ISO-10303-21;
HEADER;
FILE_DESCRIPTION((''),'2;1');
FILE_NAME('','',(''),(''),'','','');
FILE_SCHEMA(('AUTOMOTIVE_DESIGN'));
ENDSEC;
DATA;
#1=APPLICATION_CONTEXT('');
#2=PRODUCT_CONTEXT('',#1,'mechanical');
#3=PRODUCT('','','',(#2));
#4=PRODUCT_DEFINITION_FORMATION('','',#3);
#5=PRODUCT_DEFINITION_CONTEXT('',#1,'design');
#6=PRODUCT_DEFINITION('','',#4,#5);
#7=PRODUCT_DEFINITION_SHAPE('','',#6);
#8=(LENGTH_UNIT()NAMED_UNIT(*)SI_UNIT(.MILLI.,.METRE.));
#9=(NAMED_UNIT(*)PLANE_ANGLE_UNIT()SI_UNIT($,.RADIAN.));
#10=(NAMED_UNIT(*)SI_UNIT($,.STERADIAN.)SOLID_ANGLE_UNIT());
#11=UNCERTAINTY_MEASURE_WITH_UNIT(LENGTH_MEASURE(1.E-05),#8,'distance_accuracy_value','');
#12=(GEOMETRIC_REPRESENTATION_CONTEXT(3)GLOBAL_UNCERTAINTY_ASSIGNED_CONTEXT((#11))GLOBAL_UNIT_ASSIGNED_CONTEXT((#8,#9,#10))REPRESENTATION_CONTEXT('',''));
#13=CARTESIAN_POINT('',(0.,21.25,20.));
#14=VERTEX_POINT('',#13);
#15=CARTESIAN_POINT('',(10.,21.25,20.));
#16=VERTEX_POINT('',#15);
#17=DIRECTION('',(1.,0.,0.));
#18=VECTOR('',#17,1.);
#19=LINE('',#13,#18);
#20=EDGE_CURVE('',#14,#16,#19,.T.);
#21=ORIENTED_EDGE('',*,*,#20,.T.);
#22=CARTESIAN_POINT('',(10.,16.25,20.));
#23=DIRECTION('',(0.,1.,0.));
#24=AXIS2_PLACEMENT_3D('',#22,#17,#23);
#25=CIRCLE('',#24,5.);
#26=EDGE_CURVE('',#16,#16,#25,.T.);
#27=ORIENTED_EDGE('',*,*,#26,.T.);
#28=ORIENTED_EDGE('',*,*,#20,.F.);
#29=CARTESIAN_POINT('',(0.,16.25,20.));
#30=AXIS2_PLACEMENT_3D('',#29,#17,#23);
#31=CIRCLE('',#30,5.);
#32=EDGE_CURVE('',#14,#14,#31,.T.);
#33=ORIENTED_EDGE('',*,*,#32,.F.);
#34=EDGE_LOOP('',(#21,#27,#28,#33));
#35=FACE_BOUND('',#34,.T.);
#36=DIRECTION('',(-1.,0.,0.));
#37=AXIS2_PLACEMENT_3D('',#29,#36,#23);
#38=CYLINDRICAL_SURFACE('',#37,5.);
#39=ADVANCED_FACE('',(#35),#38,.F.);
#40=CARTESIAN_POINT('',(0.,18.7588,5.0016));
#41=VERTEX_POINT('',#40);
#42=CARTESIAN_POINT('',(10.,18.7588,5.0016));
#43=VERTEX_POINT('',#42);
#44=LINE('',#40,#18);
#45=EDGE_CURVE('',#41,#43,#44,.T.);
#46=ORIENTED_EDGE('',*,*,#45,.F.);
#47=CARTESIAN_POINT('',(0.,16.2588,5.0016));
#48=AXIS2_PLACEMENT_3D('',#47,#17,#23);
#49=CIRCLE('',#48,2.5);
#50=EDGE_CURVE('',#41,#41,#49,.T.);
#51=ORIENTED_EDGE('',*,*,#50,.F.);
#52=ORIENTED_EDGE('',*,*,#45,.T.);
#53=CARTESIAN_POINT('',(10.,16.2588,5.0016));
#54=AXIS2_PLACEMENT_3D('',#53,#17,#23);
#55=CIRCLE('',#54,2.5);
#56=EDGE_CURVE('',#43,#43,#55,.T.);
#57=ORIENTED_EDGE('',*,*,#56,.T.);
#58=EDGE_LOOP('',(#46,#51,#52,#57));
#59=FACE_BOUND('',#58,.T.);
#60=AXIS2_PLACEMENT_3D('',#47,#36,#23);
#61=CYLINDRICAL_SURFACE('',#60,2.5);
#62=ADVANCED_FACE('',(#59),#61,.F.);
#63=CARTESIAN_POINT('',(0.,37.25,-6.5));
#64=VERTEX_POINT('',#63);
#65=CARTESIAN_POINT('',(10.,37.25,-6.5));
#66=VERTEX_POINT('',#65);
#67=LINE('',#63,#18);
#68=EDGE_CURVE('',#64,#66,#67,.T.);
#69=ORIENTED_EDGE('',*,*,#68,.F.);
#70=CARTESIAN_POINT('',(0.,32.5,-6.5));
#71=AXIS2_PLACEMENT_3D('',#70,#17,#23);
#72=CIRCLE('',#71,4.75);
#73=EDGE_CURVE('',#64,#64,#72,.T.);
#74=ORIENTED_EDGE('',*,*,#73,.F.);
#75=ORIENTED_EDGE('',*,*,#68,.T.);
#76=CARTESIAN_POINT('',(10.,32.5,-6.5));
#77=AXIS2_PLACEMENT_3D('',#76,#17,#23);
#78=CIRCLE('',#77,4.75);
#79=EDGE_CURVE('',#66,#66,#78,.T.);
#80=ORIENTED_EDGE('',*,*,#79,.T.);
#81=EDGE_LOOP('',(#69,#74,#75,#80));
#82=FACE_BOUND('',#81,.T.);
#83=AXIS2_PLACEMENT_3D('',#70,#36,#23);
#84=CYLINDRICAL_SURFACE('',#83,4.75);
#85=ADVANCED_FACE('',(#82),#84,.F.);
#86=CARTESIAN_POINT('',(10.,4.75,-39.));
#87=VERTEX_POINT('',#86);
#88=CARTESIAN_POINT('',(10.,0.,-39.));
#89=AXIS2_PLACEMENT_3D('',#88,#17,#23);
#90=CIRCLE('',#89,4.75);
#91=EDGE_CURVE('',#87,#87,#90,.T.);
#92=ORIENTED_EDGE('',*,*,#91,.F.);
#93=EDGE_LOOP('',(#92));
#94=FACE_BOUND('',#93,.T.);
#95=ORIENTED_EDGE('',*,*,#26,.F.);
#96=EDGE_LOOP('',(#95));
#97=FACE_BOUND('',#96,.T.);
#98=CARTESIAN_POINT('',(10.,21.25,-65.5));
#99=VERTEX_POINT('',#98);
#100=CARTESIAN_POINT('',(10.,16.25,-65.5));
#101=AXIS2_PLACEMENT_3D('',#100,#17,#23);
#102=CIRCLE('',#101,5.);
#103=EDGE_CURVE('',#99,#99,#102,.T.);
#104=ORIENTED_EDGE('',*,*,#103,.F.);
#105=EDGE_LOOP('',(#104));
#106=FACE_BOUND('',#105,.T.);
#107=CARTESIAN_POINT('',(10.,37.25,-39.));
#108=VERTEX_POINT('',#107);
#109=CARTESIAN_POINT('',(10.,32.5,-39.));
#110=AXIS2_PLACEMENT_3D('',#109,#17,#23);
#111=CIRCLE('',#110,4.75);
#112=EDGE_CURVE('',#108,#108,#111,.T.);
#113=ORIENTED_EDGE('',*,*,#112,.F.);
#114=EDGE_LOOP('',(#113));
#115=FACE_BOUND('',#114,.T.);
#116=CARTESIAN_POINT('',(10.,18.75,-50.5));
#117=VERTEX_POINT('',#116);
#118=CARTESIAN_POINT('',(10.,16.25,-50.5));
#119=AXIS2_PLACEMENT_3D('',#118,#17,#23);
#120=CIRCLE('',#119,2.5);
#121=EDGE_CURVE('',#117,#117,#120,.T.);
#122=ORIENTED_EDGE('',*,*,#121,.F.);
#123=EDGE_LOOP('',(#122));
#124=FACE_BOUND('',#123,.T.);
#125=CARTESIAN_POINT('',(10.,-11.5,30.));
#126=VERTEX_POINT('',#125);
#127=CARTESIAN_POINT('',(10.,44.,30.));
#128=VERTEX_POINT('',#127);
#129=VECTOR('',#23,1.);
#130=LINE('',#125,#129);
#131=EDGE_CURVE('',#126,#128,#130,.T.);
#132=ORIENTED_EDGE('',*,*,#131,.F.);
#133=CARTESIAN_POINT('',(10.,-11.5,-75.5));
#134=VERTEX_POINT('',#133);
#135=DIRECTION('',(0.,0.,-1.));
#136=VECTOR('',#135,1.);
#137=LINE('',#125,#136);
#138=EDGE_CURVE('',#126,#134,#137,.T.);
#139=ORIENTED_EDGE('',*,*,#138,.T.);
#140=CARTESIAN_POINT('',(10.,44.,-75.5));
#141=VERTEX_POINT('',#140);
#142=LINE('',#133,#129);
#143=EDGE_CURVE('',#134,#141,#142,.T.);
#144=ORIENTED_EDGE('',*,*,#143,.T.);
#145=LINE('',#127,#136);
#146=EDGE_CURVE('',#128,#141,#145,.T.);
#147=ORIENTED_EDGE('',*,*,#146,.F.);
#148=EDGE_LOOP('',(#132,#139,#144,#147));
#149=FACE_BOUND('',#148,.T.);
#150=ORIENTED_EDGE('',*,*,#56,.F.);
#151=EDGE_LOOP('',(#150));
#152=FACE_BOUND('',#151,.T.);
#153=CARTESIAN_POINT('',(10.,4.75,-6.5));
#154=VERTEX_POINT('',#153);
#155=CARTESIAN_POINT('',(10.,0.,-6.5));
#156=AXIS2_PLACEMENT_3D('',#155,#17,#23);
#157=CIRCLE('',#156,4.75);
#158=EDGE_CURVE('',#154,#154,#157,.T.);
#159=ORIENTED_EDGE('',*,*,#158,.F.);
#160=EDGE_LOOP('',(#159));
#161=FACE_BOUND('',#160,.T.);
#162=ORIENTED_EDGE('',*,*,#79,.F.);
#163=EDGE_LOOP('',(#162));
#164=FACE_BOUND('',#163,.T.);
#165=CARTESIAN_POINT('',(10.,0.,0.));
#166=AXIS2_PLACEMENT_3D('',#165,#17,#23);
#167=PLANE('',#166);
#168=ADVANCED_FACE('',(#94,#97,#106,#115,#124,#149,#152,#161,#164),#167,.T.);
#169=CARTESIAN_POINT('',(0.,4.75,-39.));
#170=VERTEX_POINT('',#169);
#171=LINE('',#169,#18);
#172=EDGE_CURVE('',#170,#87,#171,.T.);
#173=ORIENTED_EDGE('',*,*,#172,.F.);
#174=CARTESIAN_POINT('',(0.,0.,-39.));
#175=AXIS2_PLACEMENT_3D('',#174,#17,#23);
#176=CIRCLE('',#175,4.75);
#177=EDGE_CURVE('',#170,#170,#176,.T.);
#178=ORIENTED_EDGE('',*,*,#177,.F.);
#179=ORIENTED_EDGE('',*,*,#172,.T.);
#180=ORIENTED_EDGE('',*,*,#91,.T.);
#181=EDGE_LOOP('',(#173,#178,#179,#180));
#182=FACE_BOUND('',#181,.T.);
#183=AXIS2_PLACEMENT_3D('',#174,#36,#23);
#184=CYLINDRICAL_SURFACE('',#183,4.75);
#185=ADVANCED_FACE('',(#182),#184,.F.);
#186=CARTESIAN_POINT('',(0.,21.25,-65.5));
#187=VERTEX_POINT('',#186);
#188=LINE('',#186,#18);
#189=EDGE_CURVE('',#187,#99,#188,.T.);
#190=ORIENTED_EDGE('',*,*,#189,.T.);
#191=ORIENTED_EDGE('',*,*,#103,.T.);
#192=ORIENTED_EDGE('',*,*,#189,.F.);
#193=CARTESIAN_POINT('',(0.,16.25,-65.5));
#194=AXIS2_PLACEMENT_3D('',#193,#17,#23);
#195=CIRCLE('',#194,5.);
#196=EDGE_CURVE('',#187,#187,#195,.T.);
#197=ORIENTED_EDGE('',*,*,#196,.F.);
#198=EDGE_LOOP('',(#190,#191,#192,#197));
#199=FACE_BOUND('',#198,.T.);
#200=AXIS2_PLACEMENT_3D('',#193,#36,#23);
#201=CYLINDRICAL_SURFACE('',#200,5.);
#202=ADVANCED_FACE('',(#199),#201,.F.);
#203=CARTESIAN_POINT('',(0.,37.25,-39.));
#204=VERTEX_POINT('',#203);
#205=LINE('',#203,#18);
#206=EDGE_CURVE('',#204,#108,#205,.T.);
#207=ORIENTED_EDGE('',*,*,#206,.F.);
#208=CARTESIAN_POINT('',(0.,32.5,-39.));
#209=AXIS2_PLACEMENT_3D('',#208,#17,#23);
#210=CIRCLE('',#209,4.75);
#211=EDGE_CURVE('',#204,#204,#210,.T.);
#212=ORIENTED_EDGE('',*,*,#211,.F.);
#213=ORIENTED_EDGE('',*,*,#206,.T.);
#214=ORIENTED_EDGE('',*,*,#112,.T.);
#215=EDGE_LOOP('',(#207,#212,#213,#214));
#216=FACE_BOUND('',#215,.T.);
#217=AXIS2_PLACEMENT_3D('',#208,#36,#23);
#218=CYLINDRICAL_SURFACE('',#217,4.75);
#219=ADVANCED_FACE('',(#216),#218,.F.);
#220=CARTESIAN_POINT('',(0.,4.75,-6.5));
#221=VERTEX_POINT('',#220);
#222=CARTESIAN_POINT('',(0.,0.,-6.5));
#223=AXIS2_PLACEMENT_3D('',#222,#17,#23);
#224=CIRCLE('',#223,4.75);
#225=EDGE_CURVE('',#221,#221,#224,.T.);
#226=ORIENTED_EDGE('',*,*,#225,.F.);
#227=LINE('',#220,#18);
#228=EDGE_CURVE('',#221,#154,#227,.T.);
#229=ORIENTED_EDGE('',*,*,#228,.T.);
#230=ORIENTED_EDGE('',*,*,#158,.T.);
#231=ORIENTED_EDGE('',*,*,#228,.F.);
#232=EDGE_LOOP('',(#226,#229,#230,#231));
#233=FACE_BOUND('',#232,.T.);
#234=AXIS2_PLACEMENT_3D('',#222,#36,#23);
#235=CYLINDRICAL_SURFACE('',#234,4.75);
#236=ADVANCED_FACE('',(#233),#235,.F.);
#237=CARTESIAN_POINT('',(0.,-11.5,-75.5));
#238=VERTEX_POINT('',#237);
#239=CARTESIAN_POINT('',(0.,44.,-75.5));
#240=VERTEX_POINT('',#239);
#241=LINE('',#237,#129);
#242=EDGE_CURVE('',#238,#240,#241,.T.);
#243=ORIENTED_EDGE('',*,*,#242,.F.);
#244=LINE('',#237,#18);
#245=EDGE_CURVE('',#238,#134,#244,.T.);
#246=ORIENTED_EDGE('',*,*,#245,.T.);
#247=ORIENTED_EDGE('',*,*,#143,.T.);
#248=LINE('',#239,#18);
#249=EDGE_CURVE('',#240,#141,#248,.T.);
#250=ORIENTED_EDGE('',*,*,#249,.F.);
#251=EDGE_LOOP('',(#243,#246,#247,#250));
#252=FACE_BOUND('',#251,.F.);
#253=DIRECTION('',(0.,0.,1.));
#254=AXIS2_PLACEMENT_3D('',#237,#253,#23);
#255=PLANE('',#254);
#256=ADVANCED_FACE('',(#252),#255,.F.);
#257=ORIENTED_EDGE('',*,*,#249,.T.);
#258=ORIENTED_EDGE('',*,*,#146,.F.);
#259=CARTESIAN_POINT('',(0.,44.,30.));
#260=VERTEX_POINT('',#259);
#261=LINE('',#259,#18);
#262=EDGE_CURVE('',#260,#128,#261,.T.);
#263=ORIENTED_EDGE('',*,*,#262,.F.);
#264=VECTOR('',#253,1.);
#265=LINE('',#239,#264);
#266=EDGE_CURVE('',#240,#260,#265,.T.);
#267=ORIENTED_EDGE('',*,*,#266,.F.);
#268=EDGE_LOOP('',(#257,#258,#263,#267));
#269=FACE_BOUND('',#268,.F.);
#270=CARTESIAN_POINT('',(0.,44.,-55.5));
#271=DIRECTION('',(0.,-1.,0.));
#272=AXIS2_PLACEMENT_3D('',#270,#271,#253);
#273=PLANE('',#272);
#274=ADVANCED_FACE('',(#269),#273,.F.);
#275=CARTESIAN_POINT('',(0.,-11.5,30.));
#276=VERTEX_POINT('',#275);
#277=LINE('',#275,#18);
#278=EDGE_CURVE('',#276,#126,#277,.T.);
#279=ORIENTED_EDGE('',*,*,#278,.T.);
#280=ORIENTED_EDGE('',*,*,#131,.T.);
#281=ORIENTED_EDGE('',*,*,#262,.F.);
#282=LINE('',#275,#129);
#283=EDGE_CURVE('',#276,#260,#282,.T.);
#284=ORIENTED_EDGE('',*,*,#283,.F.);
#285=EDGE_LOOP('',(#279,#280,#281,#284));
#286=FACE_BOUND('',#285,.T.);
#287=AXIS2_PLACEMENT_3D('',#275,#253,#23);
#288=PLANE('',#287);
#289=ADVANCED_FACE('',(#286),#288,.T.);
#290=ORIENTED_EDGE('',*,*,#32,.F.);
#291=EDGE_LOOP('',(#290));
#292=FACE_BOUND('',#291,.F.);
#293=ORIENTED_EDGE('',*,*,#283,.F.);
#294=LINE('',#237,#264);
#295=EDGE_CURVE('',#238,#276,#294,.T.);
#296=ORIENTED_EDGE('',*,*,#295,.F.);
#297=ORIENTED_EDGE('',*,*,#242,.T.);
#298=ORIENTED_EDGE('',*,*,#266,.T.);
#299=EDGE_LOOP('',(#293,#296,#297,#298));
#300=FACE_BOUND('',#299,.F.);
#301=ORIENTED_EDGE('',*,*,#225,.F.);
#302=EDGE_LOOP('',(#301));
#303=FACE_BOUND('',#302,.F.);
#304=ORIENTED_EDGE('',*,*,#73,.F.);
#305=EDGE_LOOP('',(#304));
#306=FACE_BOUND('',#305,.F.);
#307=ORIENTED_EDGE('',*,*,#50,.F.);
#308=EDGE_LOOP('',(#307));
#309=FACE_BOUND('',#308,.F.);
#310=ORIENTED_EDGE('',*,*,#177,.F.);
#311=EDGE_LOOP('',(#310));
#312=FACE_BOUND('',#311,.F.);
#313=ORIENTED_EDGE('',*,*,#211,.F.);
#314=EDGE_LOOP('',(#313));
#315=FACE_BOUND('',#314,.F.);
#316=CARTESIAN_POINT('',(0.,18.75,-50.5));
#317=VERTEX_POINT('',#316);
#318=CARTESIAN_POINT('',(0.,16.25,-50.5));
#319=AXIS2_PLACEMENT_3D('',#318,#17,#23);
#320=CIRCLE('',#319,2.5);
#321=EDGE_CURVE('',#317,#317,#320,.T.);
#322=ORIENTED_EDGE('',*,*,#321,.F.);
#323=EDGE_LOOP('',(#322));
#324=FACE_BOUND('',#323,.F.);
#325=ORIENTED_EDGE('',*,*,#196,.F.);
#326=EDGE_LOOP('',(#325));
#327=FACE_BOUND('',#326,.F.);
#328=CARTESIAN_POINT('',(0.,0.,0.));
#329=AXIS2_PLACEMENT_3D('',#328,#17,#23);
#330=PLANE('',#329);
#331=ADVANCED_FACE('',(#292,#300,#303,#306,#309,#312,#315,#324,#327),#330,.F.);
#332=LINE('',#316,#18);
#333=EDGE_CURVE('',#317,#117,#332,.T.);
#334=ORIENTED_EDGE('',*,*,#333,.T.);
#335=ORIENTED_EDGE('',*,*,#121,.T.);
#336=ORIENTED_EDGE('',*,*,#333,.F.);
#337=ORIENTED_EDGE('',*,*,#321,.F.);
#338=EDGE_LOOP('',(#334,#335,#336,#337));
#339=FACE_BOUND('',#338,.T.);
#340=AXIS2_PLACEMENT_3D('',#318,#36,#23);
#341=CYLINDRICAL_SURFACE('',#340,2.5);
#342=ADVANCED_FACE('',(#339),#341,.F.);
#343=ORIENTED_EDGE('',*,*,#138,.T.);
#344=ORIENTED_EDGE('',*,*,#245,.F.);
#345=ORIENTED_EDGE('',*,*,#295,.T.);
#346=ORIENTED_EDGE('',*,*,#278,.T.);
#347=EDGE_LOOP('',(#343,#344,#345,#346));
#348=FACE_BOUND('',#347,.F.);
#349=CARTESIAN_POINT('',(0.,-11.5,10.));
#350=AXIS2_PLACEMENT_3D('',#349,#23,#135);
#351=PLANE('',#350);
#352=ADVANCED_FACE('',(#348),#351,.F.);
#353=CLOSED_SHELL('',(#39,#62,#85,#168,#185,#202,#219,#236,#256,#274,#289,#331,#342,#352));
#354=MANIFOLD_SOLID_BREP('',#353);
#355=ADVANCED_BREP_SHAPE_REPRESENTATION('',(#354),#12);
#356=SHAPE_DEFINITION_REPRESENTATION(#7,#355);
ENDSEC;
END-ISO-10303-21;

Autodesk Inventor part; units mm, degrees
ref_plane "YZ Plane" through (0, 0, 0) normal (1, 0, 0) x (0, 1, 0)
ref_plane "XZ Plane" through (0, 0, 0) normal (0, 1, 0) x (-1, 0, 0)
ref_plane "XY Plane" through (0, 0, 0) normal (0, 0, 1) x (1, 0, 0)
sketch "Sketch1" plane through (0, 0, 0) normal (1, 0, 0) x (0, 1, 0)
  line L0 (-6, -12.5) -> (-6, -12.9)
  arc A0 (-6, -12.9) -> (-5.6, -13.3) centre (-5.6, -12.9) ccw
  line L1 (-5.6, -13.3) -> (-4.9, -13.3)
  arc A1 (-4.9, -13.3) -> (-4.7, -13.1) centre (-4.9, -13.1) ccw
  line L2 (-4.7, -13.1) -> (-4.7, -12.85)
  arc A2 (-4.5, -12.65) -> (-4.7, -12.85) centre (-4.5, -12.85) ccw
  line L3 (-4.5, -12.65) -> (-1.8, -12.65)
  arc A3 (-1.4, -13.05) -> (-1.8, -12.65) centre (-1.8, -13.05) ccw
  line L4 (-1.4, -13.05) -> (-1.4, -18.75)
  line L5 (-1.8, -19.15) -> (-4.5, -19.15)
  arc A4 (-1.8, -19.15) -> (-1.4, -18.75) centre (-1.8, -18.75) ccw
  arc A5 (-4.7, -18.95) -> (-4.5, -19.15) centre (-4.5, -18.95) ccw
  line L6 (-4.7, -18.95) -> (-4.7, -18.7)
  arc A6 (-4.7, -18.7) -> (-4.9, -18.5) centre (-4.9, -18.7) ccw
  line L7 (-4.9, -18.5) -> (-5.6, -18.5)
  arc A7 (-5.6, -18.5) -> (-6, -18.9) centre (-5.6, -18.9) ccw
  line L8 (-6, -18.9) -> (-6, -19.5)
  line L9 (-6.5, -6.5) -> (-6.5, -12.5)
  line L10 (-6.5, -12.5) -> (-2.5, -12.5)
  line L11 (-1.05, -19.5) -> (-6.5, -19.5)
  line L12 (-6.5, -19.5) -> (-6.5, -26)
  line L13 (-6.5, -26) -> (-1.05, -26)
  line L14 (-6, -26) -> (-6, -26.6)
  arc A8 (-6, -26.6) -> (-5.6, -27) centre (-5.6, -26.6) ccw
  line L15 (-5.6, -27) -> (-4.9, -27)
  arc A9 (-4.9, -27) -> (-4.7, -26.8) centre (-4.9, -26.8) ccw
  arc A10 (-4.5, -26.35) -> (-4.7, -26.55) centre (-4.5, -26.55) ccw
  line L16 (-4.7, -26.8) -> (-4.7, -26.55)
  line L17 (-4.5, -26.35) -> (-1.8, -26.35)
  arc A11 (-1.4, -26.75) -> (-1.8, -26.35) centre (-1.8, -26.75) ccw
  line L18 (-1.4, -26.75) -> (-1.4, -32.45)
  arc A12 (-1.8, -32.85) -> (-1.4, -32.45) centre (-1.8, -32.45) ccw
  line L19 (-1.8, -32.85) -> (-4.5, -32.85)
  arc A13 (-4.7, -32.65) -> (-4.5, -32.85) centre (-4.5, -32.65) ccw
  line L20 (-4.7, -32.65) -> (-4.7, -32.4)
  arc A14 (-4.7, -32.4) -> (-4.9, -32.2) centre (-4.9, -32.4) ccw
  line L21 (-4.9, -32.2) -> (-5.6, -32.2)
  arc A15 (-5.6, -32.2) -> (-6, -32.6) centre (-5.6, -32.6) ccw
  line L22 (-6, -32.6) -> (-6, -33)
  line L23 (-2.5, -33) -> (-6.5, -33)
  line L24 (-6.5, -33) -> (-6.5, -39)
  line L25 (32.5, 0) -> (0, 0)
  circle A16 centre (0, -6.5) radius 4.75
  circle A17 centre (32.5, -6.5) radius 4.75
  circle A18 centre (0, -39) radius 4.75
  circle A19 centre (32.5, -39) radius 4.75
  line L26 (39, -26) -> (39, -19.5)
  line L27 (39, -12.5) -> (39, -6.5)
  line L28 (39, -39) -> (39, -33)
  line L29 (26.5, -45.5) -> (32.5, -45.5)
  line L30 (0, -45.5) -> (6, -45.5)
  line L31 (13, -45.5) -> (19.5, -45.5)
  circle A20 centre (16.2588, 5.0016) radius 2.5
  circle A21 centre (16.25, -50.5) radius 2.5
  line L32 (44, 10) -> (-11.5, 10)
  line L33 (-11.5, 10) -> (-11.5, -55.5)
  line L34 (-11.5, -55.5) -> (44, -55.5)
  line L35 (44, -55.5) -> (44, 10)
  line L36 (44, 10) -> (-11.5, 10)
  line L37 (-11.5, 10) -> (-11.5, 30)
  line L38 (-11.5, 30) -> (44, 30)
  line L39 (44, 30) -> (44, 10)
  line L40 (44, -55.5) -> (-11.5, -55.5)
  line L41 (-11.5, -55.5) -> (-11.5, -75.5)
  line L42 (-11.5, -75.5) -> (44, -75.5)
  line L43 (44, -75.5) -> (44, -55.5)
  circle A22 centre (16.25, 20) radius 5
  circle A23 centre (16.25, -65.5) radius 5
  point P0 (24.75, -17.8425)
  point P1 (-11.5, 10)
  dimension "d0" = 20
  dimension "d1" = 20
  dimension "d2" = 10
  dimension "d3" = 10
extrude "Extrusion1" add sketch "Sketch1" along normal blind 10
properties part number "PlacaMediaHidráulicos_CPY_CPY"
